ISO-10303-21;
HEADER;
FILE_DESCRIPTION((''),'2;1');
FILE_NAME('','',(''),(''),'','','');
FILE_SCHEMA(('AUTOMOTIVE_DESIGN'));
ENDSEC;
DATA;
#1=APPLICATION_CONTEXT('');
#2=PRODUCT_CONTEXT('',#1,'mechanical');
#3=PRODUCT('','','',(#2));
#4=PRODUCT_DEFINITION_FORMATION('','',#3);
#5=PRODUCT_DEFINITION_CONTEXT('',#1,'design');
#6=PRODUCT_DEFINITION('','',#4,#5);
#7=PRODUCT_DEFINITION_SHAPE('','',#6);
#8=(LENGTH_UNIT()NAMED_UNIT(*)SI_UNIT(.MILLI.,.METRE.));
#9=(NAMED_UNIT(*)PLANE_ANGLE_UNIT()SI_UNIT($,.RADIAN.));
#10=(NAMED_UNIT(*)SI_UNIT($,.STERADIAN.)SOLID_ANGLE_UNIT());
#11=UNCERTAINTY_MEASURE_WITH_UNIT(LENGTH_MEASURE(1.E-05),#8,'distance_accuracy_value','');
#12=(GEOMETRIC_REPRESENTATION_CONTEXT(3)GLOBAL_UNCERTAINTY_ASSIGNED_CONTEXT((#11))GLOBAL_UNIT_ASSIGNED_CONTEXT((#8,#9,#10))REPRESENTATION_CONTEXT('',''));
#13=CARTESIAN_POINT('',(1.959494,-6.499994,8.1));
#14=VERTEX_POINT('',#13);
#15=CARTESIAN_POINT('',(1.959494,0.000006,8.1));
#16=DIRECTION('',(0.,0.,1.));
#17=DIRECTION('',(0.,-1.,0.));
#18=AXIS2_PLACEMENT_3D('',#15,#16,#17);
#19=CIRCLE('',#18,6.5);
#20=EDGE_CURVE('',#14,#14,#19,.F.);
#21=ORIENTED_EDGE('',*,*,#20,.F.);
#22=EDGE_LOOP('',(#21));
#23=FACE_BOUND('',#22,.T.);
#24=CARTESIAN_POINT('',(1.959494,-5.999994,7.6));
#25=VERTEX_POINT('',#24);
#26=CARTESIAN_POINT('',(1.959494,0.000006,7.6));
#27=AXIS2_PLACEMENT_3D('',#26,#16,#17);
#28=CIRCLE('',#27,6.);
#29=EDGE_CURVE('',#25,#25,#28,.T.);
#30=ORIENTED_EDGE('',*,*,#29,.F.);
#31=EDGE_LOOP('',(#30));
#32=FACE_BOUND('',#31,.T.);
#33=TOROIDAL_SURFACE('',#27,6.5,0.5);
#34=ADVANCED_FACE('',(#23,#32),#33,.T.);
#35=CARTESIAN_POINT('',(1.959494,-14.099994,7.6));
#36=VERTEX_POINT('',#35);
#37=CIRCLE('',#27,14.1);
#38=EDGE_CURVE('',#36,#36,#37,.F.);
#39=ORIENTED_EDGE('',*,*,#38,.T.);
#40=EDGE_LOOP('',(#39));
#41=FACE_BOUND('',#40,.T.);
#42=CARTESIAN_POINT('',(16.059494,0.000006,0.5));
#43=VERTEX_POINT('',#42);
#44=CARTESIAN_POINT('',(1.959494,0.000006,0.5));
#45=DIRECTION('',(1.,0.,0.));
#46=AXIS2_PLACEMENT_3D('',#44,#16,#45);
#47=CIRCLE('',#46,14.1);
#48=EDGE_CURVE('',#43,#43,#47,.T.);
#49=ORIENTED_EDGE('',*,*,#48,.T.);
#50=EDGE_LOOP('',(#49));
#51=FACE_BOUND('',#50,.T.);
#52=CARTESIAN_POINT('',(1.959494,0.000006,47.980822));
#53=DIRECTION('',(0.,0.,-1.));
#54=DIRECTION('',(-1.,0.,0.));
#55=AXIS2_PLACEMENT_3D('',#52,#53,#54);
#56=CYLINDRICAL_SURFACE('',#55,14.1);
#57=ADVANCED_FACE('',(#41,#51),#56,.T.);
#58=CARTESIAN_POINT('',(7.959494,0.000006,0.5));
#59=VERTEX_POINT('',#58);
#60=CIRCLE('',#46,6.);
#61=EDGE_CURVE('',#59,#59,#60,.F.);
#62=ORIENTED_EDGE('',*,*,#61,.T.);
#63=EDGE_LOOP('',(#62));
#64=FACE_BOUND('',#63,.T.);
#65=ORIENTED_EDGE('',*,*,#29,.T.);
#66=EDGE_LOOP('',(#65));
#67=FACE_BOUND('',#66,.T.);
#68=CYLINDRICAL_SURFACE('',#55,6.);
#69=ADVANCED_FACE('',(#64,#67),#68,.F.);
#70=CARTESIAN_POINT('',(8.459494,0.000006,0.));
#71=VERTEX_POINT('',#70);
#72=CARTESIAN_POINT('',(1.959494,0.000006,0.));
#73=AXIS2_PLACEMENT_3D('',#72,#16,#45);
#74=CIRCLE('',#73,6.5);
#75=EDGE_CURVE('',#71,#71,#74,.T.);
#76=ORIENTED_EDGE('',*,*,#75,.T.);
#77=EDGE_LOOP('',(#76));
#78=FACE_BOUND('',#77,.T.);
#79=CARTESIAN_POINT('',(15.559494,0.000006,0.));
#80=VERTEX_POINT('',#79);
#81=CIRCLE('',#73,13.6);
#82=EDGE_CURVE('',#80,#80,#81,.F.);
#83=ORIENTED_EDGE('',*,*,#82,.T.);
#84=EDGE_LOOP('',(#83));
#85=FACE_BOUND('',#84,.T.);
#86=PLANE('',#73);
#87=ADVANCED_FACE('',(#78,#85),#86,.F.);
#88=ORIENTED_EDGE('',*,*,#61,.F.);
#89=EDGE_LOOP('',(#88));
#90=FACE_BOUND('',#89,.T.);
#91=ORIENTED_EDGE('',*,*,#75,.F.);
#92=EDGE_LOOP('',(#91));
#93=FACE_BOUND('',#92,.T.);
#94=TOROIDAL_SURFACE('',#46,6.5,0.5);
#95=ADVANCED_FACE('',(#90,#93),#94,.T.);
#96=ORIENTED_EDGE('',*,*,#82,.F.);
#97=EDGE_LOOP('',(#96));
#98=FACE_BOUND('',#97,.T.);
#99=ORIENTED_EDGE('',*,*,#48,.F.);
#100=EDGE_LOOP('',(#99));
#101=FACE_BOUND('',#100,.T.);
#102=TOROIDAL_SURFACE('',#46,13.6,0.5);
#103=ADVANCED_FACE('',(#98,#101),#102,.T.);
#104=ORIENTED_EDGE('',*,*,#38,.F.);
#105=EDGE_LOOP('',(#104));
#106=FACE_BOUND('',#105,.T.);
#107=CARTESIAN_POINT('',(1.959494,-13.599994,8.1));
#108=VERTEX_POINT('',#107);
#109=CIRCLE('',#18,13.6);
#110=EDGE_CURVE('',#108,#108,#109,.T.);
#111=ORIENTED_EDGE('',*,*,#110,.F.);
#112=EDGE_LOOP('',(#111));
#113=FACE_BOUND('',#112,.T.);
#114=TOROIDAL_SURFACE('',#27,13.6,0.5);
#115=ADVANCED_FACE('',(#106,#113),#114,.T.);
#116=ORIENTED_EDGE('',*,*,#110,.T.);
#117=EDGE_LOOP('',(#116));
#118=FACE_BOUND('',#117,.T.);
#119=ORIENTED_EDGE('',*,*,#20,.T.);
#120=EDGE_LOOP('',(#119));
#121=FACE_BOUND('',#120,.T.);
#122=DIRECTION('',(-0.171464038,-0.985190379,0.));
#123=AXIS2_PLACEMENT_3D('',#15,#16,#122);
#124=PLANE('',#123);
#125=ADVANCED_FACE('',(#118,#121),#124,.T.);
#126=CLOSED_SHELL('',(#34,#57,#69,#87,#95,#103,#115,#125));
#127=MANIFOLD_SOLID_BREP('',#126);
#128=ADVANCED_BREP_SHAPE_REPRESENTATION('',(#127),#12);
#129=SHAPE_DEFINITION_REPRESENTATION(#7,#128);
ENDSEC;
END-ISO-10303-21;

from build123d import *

# Parameters (mm, degrees)
SKETCH1_R           = 14.1
SKETCH1_R_2         = 6
BOSS_EXTRUDE1_DEPTH = 8.1
FILLET1_R           = 0.5


with BuildPart() as part:
    # Sketch1 → Boss-Extrude1 (new body)
    with BuildSketch(Plane.XY):
        with Locations(Location((1.959493634, 6.335e-06, 0), (0, 0, 270))):
            Circle(SKETCH1_R)
        with Locations(Location((1.959493634, 6.335e-06, 0), (0, 0, 270))):
            Circle(SKETCH1_R_2, mode=Mode.SUBTRACT)
    extrude(amount=BOSS_EXTRUDE1_DEPTH)

    # Fillet1
    fillet1_edges = [part.edges().sort_by_distance(p)[0] for p in [
        (1.959493634, 14.100006335, 8.1),
        (1.959493634, 14.100006335, 0),
        (1.959493634, 6.000006335, 0),
        (1.959493634, 6.000006335, 8.1),
    ]]
    fillet(fillet1_edges, radius=FILLET1_R)


solid = part.part
